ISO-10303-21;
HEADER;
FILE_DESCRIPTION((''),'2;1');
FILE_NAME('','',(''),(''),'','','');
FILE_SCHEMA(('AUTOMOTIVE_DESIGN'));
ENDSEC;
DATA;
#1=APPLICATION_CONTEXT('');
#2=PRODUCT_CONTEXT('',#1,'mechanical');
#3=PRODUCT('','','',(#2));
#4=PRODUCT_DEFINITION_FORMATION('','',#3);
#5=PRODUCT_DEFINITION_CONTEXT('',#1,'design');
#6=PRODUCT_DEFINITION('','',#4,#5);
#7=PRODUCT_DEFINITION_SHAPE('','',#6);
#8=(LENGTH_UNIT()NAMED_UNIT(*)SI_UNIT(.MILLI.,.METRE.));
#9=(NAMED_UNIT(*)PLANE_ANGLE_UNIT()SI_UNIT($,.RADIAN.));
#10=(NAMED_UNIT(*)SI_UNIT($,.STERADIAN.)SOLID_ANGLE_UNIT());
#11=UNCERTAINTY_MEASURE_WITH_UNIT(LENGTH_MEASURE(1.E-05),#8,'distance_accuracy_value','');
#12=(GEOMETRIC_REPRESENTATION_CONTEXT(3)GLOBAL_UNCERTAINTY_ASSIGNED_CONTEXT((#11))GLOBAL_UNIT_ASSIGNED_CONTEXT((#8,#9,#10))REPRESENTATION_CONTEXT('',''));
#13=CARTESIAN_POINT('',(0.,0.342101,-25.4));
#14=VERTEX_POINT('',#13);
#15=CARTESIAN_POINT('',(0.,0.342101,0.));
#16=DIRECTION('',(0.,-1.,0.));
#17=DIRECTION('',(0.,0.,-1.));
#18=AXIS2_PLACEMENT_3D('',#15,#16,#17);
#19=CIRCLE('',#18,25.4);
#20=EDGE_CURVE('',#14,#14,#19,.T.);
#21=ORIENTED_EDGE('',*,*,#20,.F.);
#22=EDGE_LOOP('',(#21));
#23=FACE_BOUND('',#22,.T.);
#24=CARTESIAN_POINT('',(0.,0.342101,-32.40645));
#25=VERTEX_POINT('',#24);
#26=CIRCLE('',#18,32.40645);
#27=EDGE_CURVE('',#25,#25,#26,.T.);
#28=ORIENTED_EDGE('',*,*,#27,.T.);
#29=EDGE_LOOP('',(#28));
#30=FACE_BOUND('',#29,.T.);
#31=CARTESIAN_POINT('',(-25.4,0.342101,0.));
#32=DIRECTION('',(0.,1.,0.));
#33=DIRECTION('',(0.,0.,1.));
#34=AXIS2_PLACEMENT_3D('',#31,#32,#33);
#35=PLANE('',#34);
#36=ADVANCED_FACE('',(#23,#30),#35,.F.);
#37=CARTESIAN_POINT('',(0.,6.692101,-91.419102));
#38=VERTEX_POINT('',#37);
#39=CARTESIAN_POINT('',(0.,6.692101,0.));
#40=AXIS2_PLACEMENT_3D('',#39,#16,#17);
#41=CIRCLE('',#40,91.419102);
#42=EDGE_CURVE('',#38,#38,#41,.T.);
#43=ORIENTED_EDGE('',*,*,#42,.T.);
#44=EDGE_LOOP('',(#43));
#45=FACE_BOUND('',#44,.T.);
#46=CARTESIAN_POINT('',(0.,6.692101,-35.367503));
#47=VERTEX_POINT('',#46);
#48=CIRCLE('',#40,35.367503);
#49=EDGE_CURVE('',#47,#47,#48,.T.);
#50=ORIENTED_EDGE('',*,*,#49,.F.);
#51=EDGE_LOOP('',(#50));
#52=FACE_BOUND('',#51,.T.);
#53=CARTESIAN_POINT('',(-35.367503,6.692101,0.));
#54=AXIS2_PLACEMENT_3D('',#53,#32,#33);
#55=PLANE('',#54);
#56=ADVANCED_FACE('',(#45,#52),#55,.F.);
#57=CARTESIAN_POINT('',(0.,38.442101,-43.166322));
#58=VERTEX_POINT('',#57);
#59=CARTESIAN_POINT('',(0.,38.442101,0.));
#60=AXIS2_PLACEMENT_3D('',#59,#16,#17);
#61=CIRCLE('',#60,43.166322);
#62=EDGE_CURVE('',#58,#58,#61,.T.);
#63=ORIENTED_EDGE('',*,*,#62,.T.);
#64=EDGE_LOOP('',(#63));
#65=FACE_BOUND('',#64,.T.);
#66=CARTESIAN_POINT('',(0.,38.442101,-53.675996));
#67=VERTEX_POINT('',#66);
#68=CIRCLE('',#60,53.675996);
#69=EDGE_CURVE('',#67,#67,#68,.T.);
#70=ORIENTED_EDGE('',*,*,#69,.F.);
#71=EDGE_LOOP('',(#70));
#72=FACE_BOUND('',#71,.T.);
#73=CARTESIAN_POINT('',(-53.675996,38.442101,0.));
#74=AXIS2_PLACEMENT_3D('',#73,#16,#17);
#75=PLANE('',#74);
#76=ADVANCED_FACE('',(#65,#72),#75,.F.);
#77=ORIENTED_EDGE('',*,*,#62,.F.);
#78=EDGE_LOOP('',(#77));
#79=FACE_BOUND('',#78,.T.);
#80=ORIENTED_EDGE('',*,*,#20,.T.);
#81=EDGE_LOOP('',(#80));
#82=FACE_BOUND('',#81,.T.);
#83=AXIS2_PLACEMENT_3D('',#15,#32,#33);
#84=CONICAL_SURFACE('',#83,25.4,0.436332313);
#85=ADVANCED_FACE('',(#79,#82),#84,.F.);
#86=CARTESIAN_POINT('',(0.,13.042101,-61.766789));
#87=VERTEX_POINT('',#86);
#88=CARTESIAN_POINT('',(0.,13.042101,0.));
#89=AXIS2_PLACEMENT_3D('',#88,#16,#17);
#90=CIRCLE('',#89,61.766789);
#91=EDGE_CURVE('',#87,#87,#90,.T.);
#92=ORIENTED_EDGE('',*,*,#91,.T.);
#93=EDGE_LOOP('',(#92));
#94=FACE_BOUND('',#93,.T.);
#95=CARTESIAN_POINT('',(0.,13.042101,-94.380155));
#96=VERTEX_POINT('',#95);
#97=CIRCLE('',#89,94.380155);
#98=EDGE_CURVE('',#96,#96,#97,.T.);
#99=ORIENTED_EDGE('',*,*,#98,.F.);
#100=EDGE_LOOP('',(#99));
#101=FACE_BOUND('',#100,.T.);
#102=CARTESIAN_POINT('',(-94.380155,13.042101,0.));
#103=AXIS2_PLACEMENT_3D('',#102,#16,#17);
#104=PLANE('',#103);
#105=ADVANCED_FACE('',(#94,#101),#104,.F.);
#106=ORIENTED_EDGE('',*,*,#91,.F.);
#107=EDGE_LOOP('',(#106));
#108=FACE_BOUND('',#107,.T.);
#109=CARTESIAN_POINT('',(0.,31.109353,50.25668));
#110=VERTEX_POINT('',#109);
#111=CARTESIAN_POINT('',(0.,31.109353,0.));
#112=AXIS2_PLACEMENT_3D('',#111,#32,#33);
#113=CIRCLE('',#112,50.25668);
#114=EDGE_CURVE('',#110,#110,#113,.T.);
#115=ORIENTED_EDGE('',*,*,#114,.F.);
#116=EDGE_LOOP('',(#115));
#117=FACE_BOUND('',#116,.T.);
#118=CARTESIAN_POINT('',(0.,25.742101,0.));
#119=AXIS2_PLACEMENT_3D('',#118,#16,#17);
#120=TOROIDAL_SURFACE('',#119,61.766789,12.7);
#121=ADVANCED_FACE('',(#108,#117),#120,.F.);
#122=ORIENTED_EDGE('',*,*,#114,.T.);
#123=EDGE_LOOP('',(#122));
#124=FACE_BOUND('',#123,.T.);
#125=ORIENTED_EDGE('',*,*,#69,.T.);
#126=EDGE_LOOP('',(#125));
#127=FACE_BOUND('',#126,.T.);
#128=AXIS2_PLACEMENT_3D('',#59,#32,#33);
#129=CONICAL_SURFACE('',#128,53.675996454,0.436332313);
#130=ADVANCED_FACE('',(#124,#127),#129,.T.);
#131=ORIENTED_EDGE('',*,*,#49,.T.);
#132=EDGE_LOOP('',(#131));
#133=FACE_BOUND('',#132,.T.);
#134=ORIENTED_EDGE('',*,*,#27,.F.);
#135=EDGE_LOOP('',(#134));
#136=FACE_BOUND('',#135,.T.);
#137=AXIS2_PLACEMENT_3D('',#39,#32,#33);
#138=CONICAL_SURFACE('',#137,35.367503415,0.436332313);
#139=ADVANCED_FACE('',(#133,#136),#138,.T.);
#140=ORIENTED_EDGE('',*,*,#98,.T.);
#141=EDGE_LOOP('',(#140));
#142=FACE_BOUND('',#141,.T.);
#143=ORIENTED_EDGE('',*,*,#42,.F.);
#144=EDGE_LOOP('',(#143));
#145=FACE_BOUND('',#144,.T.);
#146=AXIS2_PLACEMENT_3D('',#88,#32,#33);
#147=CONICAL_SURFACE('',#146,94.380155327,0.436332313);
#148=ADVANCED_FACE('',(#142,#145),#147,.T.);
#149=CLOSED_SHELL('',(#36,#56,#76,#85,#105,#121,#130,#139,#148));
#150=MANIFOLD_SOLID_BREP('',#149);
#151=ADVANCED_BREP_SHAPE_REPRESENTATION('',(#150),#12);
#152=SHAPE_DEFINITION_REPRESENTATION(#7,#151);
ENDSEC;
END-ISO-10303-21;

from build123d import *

# Parameters (mm, degrees)
FILLET1_R = 12.7


with BuildPart() as part:
    # Sketch1 → Revolve1 (revolve)
    with BuildSketch(Plane.XY, mode=Mode.PRIVATE) as revolve1_sk:
        Polygon((-25.4, 0.342101116), (-32.406449785, 0.342101116), (-35.367503415, 6.692101116), (-91.419101698, 6.692101116), (-94.380155327, 13.042101116), (-41.831781937, 13.042101116), (-53.675996454, 38.442101116), (-43.166321776, 38.442101116), align=None)
    revolve(revolve1_sk.sketch.rotate(Axis((0, 0, 0), (0, 1, 0)), 270), axis=Axis((0, 0, 0), (0, 1, 0)))

    # Fillet1
    fillet1_edges = [part.edges().sort_by_distance(p)[0] for p in [
        (0, 13.042101116, 41.831781937),
    ]]
    fillet(fillet1_edges, radius=FILLET1_R)


solid = part.part
